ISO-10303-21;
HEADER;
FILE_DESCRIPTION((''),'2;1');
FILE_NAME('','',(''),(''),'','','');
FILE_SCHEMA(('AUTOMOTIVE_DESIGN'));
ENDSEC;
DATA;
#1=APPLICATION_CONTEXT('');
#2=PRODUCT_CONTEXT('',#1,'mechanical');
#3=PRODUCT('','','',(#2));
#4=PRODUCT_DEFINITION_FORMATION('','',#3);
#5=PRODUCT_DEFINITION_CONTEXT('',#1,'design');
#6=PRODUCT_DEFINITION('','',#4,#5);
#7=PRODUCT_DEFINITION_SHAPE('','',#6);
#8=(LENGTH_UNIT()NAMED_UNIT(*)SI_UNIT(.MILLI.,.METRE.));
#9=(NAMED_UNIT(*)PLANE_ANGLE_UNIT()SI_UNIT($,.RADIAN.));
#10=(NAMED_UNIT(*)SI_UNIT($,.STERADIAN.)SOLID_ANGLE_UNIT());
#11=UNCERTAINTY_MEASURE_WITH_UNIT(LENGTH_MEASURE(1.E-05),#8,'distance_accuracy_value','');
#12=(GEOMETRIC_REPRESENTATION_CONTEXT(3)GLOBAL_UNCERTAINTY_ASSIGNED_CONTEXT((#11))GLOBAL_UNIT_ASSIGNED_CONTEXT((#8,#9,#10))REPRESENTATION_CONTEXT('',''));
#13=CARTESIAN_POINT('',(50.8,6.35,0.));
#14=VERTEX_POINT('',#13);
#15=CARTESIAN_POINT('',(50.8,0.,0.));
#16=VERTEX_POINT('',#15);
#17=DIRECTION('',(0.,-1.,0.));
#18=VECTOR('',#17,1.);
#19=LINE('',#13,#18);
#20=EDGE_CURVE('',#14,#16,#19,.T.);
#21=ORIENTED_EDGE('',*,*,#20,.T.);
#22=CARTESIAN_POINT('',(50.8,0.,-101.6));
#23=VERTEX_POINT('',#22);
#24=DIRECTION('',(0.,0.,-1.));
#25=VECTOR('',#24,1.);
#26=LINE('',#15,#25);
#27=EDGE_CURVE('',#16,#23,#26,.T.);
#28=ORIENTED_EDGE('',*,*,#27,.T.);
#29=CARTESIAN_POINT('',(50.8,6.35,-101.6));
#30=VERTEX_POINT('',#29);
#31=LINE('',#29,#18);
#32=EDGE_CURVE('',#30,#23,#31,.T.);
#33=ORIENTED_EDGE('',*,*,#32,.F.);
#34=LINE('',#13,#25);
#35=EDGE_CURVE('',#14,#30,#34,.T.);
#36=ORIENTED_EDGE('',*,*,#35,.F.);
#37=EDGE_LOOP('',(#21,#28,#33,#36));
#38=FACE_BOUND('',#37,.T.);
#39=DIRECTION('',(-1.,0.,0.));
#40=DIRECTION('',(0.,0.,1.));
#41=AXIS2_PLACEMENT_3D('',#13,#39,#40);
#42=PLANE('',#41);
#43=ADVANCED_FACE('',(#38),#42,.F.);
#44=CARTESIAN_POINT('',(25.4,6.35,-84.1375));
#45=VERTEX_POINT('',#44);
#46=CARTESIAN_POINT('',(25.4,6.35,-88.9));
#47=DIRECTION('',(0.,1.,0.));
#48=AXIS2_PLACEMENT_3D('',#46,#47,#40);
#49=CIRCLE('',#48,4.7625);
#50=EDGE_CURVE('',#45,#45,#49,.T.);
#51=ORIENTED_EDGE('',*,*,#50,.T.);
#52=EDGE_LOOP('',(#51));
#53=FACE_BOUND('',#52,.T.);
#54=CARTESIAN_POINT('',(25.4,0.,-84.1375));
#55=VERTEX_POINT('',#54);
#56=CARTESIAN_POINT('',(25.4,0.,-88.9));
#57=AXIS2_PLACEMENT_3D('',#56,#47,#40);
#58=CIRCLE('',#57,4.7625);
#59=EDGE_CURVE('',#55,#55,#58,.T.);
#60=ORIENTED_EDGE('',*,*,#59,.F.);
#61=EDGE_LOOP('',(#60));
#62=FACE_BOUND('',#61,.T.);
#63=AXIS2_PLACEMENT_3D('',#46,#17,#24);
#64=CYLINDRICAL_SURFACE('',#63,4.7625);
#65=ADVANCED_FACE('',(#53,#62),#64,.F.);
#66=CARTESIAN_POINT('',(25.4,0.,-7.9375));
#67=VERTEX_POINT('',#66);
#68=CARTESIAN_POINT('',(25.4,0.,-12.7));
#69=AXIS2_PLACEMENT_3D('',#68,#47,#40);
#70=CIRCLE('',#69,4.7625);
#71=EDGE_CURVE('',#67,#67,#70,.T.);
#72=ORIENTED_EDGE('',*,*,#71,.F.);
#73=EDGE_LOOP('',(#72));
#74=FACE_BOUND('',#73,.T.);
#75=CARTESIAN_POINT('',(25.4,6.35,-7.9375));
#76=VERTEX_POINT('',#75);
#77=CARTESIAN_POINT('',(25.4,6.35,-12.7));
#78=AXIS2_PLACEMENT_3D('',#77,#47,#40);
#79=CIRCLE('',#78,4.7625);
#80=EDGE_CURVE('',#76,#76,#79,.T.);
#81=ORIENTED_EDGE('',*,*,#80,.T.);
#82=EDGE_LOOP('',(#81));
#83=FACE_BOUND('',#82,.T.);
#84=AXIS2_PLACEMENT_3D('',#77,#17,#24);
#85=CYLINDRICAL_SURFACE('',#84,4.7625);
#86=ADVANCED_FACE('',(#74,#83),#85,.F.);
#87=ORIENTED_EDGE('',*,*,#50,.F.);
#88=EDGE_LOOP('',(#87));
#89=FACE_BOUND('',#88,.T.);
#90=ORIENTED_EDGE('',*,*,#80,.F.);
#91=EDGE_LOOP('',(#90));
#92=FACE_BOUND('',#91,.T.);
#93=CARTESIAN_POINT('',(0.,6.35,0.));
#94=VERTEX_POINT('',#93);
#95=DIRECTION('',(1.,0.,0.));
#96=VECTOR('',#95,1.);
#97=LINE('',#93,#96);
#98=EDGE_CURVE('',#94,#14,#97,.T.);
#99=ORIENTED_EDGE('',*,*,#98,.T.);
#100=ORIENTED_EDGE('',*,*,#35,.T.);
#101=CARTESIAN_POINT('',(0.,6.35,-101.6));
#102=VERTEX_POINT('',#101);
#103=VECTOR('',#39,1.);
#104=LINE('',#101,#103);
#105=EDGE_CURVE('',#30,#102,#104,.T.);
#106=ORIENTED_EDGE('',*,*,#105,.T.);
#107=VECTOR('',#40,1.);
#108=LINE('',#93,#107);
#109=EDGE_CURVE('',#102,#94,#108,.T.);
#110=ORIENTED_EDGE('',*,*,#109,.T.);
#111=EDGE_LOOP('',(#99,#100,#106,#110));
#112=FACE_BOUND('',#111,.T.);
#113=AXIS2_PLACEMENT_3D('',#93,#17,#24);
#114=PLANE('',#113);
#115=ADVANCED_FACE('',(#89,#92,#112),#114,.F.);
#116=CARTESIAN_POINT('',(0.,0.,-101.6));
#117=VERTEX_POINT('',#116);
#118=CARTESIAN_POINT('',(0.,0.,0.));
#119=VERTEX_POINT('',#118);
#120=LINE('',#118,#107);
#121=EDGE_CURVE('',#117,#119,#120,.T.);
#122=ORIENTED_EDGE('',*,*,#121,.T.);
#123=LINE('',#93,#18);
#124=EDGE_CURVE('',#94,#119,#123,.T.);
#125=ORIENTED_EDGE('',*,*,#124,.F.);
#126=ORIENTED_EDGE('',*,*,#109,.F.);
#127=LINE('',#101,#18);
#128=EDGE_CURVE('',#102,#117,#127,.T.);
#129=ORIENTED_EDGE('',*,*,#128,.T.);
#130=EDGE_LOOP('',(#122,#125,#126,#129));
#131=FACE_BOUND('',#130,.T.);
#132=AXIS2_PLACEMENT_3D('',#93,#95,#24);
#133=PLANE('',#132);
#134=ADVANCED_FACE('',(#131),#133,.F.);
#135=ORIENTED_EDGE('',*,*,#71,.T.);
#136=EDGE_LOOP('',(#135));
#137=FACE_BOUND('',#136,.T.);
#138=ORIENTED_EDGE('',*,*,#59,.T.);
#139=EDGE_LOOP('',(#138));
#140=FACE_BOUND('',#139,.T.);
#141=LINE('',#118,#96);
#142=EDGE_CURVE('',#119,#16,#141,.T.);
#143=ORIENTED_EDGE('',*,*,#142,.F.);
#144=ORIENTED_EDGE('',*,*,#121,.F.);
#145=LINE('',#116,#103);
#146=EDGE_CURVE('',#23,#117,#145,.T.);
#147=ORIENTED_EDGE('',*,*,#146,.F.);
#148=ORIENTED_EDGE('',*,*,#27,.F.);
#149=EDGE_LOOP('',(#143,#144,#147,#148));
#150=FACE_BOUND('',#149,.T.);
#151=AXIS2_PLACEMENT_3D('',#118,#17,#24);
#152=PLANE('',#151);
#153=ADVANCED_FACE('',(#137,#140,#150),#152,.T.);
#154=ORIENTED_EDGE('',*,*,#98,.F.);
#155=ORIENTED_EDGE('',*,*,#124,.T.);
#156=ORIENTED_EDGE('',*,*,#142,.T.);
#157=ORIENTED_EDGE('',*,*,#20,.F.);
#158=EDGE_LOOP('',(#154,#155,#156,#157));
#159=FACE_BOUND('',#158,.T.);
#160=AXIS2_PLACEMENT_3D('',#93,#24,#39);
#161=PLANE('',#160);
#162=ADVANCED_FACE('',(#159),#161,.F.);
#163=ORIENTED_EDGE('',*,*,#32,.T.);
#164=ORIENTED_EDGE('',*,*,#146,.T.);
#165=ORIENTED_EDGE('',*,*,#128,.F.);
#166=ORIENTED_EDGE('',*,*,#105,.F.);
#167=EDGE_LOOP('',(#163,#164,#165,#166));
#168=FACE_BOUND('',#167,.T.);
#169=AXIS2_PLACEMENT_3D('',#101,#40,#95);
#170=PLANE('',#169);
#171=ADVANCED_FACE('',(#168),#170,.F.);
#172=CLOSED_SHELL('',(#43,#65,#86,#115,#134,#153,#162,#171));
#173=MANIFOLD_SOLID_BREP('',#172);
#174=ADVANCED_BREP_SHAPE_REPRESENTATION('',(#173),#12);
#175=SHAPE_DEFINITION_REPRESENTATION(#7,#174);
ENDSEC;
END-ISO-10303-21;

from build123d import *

# Parameters (mm, degrees)
SKETCH1_W    = 50.8
SKETCH1_H    = 101.6
SKETCH1_R    = 4.7625
HAMMER_DEPTH = 6.35


with BuildPart() as part:
    # Sketch1 → Hammer (new body)
    with BuildSketch(Plane(origin=(0, 0, 0), x_dir=(1, 0, 0), z_dir=(0, 1, 0))):
        with Locations((25.4, 50.8)):
            Rectangle(SKETCH1_W, SKETCH1_H)
        with Locations((25.4, 12.7)):
            Circle(SKETCH1_R, mode=Mode.SUBTRACT)
        with Locations((25.4, 88.9)):
            Circle(SKETCH1_R, mode=Mode.SUBTRACT)
    extrude(amount=HAMMER_DEPTH)


solid = part.part
